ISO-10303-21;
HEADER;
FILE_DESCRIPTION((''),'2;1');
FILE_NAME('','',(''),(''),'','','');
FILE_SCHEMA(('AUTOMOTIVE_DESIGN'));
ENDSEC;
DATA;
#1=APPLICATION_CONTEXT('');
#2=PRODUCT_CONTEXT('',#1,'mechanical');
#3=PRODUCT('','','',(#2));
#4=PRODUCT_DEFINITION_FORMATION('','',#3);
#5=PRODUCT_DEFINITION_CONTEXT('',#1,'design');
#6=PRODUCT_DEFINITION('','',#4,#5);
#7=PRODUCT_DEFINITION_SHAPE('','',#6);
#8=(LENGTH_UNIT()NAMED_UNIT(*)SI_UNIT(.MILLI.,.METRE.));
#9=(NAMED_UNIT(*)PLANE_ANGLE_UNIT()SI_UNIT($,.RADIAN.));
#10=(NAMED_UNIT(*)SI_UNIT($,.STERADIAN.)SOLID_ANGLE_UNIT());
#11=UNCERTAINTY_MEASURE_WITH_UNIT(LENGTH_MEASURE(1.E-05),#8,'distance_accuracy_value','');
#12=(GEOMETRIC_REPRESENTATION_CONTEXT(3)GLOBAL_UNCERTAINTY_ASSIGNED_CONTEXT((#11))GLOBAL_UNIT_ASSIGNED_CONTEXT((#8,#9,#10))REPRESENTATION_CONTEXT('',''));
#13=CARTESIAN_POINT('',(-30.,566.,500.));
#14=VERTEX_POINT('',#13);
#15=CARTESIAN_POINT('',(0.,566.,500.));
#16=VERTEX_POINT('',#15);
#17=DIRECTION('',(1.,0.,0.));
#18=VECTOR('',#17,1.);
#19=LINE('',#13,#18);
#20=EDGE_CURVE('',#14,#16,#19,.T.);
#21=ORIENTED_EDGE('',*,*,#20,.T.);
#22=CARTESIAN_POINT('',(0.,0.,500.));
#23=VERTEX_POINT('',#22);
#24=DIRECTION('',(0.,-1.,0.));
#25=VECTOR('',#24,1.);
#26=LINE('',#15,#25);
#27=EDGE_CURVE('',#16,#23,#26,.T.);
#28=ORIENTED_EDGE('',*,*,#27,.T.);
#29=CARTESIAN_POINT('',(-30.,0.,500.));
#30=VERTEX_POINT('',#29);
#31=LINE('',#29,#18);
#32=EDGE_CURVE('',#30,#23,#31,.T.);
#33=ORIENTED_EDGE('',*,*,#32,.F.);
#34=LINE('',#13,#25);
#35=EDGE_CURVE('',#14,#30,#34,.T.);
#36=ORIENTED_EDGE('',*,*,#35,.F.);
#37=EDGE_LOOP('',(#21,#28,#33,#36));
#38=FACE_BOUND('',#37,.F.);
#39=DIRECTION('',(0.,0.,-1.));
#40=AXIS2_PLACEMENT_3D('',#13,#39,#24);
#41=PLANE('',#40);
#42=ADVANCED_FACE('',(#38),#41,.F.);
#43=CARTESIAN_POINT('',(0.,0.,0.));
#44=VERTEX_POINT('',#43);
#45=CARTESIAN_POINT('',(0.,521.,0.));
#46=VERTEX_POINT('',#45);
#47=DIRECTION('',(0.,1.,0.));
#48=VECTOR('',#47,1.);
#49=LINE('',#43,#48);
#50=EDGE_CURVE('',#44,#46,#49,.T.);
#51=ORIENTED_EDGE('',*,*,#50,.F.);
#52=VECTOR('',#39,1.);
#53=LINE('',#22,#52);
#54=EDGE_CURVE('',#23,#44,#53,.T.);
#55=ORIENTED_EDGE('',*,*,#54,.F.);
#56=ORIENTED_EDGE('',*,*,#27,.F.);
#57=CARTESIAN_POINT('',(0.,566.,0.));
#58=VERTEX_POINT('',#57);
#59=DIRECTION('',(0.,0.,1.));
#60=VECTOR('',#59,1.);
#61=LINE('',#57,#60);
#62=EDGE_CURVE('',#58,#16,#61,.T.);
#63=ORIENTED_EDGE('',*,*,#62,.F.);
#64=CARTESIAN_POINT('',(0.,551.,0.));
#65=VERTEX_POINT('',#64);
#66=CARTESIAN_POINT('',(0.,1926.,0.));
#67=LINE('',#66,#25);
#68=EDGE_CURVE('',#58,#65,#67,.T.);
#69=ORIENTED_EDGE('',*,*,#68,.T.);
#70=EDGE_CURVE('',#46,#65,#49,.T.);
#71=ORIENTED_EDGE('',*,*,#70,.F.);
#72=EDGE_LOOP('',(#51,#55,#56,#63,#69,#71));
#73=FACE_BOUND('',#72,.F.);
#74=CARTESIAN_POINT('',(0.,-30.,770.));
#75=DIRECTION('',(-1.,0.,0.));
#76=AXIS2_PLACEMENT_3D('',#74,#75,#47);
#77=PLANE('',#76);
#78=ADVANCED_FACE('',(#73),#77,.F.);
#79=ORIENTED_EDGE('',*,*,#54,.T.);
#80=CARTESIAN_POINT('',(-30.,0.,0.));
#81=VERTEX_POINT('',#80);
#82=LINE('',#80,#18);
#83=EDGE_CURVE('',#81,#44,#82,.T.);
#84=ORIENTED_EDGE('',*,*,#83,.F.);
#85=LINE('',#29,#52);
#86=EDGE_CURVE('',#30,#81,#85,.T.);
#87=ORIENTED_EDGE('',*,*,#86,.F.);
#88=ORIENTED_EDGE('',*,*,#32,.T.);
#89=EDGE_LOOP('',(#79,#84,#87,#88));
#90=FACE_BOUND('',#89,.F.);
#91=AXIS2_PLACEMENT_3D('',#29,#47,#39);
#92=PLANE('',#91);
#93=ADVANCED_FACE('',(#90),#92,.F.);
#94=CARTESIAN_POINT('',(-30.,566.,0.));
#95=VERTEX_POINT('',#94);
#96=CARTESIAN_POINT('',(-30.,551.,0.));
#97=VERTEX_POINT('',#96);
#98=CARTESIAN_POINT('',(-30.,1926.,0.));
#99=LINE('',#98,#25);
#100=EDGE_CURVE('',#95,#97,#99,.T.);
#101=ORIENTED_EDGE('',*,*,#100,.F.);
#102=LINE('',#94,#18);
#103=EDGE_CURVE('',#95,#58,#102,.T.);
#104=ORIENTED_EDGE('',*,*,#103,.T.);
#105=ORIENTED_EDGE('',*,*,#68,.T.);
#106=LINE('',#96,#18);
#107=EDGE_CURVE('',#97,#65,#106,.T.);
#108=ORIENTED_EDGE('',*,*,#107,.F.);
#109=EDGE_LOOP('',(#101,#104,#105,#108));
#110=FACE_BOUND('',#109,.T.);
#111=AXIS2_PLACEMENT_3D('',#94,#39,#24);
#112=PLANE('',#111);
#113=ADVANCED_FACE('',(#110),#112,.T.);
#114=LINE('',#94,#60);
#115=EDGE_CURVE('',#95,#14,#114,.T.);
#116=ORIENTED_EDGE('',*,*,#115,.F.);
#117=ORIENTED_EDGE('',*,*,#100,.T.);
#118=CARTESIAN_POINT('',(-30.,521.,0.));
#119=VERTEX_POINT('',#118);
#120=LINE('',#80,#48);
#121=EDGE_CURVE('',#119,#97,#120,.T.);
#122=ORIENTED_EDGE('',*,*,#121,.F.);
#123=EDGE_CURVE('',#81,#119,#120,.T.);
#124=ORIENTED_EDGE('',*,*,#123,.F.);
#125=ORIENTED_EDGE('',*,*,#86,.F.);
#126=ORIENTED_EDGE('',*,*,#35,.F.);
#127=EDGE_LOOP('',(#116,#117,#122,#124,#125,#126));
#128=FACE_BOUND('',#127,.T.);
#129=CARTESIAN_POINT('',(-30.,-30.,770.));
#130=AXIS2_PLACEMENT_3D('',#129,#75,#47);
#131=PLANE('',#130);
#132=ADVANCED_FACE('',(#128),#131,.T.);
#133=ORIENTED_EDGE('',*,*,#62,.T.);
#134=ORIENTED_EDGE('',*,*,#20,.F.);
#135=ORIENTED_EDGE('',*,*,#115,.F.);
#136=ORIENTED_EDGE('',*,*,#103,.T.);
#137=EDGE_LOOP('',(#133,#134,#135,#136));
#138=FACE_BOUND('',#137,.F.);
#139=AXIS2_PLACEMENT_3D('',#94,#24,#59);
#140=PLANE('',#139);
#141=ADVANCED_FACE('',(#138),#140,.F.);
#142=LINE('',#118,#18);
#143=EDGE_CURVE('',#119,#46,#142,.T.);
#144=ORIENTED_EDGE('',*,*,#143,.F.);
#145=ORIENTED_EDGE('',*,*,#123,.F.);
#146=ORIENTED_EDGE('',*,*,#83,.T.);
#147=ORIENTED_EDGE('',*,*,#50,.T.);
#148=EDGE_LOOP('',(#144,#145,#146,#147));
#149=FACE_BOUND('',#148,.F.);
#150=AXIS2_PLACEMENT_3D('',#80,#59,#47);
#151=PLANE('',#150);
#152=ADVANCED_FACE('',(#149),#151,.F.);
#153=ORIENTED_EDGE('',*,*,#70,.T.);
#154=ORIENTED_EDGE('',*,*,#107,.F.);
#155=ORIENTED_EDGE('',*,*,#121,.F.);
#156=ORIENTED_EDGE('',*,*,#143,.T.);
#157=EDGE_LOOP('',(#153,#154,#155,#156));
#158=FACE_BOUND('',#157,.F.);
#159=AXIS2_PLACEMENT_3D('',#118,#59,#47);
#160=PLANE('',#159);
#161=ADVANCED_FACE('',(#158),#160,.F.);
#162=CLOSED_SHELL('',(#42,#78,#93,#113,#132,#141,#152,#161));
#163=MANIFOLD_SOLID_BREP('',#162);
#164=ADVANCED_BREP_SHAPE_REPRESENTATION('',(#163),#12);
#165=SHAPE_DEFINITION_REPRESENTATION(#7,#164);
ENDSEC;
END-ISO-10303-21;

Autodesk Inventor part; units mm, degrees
ref_plane "YZ Plane" through (0, 0, 0) normal (1, 0, 0) x (0, 1, 0)
ref_plane "XZ Plane" through (0, 0, 0) normal (0, 1, 0) x (-1, 0, 0)
ref_plane "XY Plane" through (0, 0, 0) normal (0, 0, 1) x (1, 0, 0)
ref_plane "Plano de trabajo1" through (-734, 252.5, -55) normal (0, 0, -1) x (0, -1, 0)
ref_plane "Plano de trabajo2" through (-30, -30, 770) normal (-1, 0, 0) x (0, 1, 0)
sketch "Boceto4" plane through (-30, -30, 770) normal (-1, 0, 0) x (0, 1, 0)
  line L0 (30, 770) -> (551, 770) projected
  line L1 (1956, 770) -> (581, 770) projected
  line L2 (611, 770) -> (581, 770) projected
  line L3 (30, 770) -> (596, 770)
  line L4 (596, 770) -> (596, 270)
  line L5 (596, 270) -> (30, 270)
  line L6 (30, 270) -> (30, 770)
  dimension "d18" = 566
  dimension "d19" = 500
extrude "Extrusión4" add sketch "Boceto4" against normal blind 30
properties part number "BarraInclinada"
